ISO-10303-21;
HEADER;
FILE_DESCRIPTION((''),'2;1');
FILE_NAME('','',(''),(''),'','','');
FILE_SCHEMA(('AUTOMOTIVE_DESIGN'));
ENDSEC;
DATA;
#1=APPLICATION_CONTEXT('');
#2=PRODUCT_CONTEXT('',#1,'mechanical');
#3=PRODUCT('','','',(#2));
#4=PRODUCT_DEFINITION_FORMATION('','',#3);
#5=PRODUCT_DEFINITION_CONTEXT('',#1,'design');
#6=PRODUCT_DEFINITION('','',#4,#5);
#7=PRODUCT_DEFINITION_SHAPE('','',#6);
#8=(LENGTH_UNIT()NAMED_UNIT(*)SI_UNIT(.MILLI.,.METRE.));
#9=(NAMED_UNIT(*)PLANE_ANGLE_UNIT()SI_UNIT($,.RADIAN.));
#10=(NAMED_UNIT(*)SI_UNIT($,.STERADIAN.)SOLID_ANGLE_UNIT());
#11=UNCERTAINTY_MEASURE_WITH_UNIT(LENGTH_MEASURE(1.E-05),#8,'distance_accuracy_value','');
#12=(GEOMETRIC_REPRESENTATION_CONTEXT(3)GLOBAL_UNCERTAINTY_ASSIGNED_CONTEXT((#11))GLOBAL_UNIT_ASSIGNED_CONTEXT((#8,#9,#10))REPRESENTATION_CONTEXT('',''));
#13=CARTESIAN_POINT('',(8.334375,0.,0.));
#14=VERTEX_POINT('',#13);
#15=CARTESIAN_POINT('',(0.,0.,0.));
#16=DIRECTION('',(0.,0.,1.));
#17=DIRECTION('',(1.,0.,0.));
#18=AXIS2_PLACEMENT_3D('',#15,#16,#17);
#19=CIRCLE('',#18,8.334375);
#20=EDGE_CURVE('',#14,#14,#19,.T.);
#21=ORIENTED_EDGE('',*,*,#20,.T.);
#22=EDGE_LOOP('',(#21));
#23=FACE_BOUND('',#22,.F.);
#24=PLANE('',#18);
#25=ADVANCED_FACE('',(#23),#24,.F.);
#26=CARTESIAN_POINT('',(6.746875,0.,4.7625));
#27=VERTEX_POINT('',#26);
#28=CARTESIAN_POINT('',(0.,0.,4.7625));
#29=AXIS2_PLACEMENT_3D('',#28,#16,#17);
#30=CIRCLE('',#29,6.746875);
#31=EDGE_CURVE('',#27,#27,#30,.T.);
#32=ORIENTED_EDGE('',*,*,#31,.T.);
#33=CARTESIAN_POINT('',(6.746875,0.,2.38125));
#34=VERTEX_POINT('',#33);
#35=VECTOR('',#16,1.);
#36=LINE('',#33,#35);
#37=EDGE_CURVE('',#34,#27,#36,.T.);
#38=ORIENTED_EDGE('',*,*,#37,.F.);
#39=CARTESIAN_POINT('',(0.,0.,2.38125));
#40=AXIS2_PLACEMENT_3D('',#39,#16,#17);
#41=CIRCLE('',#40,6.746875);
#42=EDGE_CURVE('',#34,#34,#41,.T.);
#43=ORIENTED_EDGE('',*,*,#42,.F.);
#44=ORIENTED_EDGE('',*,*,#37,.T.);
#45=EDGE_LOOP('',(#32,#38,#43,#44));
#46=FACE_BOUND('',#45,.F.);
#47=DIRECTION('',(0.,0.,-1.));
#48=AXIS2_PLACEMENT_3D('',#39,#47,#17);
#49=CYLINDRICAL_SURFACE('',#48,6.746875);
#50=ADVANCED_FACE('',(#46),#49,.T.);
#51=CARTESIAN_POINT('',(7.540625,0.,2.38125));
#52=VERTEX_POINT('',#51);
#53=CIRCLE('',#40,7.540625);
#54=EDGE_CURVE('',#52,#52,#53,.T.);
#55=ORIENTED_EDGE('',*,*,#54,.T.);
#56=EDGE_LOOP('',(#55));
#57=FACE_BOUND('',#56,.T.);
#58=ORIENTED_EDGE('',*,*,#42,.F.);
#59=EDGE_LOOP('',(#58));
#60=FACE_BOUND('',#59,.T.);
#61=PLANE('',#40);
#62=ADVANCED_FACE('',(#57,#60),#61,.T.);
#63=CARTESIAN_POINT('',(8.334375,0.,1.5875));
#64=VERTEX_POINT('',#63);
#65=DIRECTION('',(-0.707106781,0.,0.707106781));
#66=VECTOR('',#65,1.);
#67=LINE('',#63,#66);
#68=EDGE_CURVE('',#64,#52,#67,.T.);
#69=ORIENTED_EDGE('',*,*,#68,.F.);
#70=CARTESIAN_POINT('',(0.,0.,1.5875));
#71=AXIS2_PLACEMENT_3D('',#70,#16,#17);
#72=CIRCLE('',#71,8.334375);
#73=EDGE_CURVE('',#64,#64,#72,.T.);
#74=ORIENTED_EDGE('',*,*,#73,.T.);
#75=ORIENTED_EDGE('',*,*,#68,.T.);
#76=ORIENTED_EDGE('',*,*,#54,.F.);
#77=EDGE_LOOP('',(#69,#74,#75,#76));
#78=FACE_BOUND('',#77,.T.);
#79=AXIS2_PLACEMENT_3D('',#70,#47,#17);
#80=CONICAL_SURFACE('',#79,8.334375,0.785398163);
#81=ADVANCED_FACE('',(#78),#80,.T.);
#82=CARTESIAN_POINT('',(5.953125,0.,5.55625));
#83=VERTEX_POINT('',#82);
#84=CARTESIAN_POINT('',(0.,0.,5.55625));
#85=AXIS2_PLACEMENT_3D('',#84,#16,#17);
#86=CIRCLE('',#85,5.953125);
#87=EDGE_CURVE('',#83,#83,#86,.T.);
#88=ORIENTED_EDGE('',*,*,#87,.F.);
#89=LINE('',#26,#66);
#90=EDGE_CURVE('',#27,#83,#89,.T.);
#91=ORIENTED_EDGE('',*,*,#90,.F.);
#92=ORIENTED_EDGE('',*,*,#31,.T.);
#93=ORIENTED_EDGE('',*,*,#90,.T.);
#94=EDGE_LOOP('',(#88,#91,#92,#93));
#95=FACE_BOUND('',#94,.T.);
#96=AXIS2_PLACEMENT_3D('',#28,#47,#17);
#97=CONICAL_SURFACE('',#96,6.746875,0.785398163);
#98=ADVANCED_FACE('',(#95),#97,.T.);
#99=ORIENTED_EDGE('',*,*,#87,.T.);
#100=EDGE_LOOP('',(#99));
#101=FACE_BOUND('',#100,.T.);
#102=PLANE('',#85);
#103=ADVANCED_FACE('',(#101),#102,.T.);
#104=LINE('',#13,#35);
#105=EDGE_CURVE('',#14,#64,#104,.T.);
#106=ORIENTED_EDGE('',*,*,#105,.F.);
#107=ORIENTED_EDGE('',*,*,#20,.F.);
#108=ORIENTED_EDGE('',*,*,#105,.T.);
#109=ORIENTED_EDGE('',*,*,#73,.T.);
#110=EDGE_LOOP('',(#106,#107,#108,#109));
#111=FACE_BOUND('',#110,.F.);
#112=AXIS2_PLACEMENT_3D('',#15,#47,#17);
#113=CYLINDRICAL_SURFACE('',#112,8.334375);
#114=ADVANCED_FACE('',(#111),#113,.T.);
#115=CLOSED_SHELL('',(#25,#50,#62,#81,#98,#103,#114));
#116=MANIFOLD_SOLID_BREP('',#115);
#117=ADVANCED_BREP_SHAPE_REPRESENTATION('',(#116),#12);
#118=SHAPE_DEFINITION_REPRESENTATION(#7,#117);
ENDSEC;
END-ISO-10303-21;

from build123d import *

# Parameters (mm, degrees)
F0_R     = 8.334375
F1_DEPTH = 2.38125
F2_R     = 6.746875
F3_DEPTH = 3.175
F4_SIZE  = 0.79375


with BuildPart() as f1:
    # F0 (on Top) → F1 (new body)
    with BuildSketch(Plane.XY):
        Circle(F0_R)
    extrude(amount=F1_DEPTH)

    # F2 (on face) → F3 (join)
    with BuildSketch(Plane.XY.offset(2.38125)):
        Circle(F2_R)
    extrude(amount=F3_DEPTH)

    # F4
    f4_edges = [f1.edges().sort_by_distance(p)[0] for p in [
        (-8.334375, 0, 2.38125),
        (-6.746875, 0, 5.55625),
    ]]
    chamfer(f4_edges, length=F4_SIZE)


solid = f1.part
